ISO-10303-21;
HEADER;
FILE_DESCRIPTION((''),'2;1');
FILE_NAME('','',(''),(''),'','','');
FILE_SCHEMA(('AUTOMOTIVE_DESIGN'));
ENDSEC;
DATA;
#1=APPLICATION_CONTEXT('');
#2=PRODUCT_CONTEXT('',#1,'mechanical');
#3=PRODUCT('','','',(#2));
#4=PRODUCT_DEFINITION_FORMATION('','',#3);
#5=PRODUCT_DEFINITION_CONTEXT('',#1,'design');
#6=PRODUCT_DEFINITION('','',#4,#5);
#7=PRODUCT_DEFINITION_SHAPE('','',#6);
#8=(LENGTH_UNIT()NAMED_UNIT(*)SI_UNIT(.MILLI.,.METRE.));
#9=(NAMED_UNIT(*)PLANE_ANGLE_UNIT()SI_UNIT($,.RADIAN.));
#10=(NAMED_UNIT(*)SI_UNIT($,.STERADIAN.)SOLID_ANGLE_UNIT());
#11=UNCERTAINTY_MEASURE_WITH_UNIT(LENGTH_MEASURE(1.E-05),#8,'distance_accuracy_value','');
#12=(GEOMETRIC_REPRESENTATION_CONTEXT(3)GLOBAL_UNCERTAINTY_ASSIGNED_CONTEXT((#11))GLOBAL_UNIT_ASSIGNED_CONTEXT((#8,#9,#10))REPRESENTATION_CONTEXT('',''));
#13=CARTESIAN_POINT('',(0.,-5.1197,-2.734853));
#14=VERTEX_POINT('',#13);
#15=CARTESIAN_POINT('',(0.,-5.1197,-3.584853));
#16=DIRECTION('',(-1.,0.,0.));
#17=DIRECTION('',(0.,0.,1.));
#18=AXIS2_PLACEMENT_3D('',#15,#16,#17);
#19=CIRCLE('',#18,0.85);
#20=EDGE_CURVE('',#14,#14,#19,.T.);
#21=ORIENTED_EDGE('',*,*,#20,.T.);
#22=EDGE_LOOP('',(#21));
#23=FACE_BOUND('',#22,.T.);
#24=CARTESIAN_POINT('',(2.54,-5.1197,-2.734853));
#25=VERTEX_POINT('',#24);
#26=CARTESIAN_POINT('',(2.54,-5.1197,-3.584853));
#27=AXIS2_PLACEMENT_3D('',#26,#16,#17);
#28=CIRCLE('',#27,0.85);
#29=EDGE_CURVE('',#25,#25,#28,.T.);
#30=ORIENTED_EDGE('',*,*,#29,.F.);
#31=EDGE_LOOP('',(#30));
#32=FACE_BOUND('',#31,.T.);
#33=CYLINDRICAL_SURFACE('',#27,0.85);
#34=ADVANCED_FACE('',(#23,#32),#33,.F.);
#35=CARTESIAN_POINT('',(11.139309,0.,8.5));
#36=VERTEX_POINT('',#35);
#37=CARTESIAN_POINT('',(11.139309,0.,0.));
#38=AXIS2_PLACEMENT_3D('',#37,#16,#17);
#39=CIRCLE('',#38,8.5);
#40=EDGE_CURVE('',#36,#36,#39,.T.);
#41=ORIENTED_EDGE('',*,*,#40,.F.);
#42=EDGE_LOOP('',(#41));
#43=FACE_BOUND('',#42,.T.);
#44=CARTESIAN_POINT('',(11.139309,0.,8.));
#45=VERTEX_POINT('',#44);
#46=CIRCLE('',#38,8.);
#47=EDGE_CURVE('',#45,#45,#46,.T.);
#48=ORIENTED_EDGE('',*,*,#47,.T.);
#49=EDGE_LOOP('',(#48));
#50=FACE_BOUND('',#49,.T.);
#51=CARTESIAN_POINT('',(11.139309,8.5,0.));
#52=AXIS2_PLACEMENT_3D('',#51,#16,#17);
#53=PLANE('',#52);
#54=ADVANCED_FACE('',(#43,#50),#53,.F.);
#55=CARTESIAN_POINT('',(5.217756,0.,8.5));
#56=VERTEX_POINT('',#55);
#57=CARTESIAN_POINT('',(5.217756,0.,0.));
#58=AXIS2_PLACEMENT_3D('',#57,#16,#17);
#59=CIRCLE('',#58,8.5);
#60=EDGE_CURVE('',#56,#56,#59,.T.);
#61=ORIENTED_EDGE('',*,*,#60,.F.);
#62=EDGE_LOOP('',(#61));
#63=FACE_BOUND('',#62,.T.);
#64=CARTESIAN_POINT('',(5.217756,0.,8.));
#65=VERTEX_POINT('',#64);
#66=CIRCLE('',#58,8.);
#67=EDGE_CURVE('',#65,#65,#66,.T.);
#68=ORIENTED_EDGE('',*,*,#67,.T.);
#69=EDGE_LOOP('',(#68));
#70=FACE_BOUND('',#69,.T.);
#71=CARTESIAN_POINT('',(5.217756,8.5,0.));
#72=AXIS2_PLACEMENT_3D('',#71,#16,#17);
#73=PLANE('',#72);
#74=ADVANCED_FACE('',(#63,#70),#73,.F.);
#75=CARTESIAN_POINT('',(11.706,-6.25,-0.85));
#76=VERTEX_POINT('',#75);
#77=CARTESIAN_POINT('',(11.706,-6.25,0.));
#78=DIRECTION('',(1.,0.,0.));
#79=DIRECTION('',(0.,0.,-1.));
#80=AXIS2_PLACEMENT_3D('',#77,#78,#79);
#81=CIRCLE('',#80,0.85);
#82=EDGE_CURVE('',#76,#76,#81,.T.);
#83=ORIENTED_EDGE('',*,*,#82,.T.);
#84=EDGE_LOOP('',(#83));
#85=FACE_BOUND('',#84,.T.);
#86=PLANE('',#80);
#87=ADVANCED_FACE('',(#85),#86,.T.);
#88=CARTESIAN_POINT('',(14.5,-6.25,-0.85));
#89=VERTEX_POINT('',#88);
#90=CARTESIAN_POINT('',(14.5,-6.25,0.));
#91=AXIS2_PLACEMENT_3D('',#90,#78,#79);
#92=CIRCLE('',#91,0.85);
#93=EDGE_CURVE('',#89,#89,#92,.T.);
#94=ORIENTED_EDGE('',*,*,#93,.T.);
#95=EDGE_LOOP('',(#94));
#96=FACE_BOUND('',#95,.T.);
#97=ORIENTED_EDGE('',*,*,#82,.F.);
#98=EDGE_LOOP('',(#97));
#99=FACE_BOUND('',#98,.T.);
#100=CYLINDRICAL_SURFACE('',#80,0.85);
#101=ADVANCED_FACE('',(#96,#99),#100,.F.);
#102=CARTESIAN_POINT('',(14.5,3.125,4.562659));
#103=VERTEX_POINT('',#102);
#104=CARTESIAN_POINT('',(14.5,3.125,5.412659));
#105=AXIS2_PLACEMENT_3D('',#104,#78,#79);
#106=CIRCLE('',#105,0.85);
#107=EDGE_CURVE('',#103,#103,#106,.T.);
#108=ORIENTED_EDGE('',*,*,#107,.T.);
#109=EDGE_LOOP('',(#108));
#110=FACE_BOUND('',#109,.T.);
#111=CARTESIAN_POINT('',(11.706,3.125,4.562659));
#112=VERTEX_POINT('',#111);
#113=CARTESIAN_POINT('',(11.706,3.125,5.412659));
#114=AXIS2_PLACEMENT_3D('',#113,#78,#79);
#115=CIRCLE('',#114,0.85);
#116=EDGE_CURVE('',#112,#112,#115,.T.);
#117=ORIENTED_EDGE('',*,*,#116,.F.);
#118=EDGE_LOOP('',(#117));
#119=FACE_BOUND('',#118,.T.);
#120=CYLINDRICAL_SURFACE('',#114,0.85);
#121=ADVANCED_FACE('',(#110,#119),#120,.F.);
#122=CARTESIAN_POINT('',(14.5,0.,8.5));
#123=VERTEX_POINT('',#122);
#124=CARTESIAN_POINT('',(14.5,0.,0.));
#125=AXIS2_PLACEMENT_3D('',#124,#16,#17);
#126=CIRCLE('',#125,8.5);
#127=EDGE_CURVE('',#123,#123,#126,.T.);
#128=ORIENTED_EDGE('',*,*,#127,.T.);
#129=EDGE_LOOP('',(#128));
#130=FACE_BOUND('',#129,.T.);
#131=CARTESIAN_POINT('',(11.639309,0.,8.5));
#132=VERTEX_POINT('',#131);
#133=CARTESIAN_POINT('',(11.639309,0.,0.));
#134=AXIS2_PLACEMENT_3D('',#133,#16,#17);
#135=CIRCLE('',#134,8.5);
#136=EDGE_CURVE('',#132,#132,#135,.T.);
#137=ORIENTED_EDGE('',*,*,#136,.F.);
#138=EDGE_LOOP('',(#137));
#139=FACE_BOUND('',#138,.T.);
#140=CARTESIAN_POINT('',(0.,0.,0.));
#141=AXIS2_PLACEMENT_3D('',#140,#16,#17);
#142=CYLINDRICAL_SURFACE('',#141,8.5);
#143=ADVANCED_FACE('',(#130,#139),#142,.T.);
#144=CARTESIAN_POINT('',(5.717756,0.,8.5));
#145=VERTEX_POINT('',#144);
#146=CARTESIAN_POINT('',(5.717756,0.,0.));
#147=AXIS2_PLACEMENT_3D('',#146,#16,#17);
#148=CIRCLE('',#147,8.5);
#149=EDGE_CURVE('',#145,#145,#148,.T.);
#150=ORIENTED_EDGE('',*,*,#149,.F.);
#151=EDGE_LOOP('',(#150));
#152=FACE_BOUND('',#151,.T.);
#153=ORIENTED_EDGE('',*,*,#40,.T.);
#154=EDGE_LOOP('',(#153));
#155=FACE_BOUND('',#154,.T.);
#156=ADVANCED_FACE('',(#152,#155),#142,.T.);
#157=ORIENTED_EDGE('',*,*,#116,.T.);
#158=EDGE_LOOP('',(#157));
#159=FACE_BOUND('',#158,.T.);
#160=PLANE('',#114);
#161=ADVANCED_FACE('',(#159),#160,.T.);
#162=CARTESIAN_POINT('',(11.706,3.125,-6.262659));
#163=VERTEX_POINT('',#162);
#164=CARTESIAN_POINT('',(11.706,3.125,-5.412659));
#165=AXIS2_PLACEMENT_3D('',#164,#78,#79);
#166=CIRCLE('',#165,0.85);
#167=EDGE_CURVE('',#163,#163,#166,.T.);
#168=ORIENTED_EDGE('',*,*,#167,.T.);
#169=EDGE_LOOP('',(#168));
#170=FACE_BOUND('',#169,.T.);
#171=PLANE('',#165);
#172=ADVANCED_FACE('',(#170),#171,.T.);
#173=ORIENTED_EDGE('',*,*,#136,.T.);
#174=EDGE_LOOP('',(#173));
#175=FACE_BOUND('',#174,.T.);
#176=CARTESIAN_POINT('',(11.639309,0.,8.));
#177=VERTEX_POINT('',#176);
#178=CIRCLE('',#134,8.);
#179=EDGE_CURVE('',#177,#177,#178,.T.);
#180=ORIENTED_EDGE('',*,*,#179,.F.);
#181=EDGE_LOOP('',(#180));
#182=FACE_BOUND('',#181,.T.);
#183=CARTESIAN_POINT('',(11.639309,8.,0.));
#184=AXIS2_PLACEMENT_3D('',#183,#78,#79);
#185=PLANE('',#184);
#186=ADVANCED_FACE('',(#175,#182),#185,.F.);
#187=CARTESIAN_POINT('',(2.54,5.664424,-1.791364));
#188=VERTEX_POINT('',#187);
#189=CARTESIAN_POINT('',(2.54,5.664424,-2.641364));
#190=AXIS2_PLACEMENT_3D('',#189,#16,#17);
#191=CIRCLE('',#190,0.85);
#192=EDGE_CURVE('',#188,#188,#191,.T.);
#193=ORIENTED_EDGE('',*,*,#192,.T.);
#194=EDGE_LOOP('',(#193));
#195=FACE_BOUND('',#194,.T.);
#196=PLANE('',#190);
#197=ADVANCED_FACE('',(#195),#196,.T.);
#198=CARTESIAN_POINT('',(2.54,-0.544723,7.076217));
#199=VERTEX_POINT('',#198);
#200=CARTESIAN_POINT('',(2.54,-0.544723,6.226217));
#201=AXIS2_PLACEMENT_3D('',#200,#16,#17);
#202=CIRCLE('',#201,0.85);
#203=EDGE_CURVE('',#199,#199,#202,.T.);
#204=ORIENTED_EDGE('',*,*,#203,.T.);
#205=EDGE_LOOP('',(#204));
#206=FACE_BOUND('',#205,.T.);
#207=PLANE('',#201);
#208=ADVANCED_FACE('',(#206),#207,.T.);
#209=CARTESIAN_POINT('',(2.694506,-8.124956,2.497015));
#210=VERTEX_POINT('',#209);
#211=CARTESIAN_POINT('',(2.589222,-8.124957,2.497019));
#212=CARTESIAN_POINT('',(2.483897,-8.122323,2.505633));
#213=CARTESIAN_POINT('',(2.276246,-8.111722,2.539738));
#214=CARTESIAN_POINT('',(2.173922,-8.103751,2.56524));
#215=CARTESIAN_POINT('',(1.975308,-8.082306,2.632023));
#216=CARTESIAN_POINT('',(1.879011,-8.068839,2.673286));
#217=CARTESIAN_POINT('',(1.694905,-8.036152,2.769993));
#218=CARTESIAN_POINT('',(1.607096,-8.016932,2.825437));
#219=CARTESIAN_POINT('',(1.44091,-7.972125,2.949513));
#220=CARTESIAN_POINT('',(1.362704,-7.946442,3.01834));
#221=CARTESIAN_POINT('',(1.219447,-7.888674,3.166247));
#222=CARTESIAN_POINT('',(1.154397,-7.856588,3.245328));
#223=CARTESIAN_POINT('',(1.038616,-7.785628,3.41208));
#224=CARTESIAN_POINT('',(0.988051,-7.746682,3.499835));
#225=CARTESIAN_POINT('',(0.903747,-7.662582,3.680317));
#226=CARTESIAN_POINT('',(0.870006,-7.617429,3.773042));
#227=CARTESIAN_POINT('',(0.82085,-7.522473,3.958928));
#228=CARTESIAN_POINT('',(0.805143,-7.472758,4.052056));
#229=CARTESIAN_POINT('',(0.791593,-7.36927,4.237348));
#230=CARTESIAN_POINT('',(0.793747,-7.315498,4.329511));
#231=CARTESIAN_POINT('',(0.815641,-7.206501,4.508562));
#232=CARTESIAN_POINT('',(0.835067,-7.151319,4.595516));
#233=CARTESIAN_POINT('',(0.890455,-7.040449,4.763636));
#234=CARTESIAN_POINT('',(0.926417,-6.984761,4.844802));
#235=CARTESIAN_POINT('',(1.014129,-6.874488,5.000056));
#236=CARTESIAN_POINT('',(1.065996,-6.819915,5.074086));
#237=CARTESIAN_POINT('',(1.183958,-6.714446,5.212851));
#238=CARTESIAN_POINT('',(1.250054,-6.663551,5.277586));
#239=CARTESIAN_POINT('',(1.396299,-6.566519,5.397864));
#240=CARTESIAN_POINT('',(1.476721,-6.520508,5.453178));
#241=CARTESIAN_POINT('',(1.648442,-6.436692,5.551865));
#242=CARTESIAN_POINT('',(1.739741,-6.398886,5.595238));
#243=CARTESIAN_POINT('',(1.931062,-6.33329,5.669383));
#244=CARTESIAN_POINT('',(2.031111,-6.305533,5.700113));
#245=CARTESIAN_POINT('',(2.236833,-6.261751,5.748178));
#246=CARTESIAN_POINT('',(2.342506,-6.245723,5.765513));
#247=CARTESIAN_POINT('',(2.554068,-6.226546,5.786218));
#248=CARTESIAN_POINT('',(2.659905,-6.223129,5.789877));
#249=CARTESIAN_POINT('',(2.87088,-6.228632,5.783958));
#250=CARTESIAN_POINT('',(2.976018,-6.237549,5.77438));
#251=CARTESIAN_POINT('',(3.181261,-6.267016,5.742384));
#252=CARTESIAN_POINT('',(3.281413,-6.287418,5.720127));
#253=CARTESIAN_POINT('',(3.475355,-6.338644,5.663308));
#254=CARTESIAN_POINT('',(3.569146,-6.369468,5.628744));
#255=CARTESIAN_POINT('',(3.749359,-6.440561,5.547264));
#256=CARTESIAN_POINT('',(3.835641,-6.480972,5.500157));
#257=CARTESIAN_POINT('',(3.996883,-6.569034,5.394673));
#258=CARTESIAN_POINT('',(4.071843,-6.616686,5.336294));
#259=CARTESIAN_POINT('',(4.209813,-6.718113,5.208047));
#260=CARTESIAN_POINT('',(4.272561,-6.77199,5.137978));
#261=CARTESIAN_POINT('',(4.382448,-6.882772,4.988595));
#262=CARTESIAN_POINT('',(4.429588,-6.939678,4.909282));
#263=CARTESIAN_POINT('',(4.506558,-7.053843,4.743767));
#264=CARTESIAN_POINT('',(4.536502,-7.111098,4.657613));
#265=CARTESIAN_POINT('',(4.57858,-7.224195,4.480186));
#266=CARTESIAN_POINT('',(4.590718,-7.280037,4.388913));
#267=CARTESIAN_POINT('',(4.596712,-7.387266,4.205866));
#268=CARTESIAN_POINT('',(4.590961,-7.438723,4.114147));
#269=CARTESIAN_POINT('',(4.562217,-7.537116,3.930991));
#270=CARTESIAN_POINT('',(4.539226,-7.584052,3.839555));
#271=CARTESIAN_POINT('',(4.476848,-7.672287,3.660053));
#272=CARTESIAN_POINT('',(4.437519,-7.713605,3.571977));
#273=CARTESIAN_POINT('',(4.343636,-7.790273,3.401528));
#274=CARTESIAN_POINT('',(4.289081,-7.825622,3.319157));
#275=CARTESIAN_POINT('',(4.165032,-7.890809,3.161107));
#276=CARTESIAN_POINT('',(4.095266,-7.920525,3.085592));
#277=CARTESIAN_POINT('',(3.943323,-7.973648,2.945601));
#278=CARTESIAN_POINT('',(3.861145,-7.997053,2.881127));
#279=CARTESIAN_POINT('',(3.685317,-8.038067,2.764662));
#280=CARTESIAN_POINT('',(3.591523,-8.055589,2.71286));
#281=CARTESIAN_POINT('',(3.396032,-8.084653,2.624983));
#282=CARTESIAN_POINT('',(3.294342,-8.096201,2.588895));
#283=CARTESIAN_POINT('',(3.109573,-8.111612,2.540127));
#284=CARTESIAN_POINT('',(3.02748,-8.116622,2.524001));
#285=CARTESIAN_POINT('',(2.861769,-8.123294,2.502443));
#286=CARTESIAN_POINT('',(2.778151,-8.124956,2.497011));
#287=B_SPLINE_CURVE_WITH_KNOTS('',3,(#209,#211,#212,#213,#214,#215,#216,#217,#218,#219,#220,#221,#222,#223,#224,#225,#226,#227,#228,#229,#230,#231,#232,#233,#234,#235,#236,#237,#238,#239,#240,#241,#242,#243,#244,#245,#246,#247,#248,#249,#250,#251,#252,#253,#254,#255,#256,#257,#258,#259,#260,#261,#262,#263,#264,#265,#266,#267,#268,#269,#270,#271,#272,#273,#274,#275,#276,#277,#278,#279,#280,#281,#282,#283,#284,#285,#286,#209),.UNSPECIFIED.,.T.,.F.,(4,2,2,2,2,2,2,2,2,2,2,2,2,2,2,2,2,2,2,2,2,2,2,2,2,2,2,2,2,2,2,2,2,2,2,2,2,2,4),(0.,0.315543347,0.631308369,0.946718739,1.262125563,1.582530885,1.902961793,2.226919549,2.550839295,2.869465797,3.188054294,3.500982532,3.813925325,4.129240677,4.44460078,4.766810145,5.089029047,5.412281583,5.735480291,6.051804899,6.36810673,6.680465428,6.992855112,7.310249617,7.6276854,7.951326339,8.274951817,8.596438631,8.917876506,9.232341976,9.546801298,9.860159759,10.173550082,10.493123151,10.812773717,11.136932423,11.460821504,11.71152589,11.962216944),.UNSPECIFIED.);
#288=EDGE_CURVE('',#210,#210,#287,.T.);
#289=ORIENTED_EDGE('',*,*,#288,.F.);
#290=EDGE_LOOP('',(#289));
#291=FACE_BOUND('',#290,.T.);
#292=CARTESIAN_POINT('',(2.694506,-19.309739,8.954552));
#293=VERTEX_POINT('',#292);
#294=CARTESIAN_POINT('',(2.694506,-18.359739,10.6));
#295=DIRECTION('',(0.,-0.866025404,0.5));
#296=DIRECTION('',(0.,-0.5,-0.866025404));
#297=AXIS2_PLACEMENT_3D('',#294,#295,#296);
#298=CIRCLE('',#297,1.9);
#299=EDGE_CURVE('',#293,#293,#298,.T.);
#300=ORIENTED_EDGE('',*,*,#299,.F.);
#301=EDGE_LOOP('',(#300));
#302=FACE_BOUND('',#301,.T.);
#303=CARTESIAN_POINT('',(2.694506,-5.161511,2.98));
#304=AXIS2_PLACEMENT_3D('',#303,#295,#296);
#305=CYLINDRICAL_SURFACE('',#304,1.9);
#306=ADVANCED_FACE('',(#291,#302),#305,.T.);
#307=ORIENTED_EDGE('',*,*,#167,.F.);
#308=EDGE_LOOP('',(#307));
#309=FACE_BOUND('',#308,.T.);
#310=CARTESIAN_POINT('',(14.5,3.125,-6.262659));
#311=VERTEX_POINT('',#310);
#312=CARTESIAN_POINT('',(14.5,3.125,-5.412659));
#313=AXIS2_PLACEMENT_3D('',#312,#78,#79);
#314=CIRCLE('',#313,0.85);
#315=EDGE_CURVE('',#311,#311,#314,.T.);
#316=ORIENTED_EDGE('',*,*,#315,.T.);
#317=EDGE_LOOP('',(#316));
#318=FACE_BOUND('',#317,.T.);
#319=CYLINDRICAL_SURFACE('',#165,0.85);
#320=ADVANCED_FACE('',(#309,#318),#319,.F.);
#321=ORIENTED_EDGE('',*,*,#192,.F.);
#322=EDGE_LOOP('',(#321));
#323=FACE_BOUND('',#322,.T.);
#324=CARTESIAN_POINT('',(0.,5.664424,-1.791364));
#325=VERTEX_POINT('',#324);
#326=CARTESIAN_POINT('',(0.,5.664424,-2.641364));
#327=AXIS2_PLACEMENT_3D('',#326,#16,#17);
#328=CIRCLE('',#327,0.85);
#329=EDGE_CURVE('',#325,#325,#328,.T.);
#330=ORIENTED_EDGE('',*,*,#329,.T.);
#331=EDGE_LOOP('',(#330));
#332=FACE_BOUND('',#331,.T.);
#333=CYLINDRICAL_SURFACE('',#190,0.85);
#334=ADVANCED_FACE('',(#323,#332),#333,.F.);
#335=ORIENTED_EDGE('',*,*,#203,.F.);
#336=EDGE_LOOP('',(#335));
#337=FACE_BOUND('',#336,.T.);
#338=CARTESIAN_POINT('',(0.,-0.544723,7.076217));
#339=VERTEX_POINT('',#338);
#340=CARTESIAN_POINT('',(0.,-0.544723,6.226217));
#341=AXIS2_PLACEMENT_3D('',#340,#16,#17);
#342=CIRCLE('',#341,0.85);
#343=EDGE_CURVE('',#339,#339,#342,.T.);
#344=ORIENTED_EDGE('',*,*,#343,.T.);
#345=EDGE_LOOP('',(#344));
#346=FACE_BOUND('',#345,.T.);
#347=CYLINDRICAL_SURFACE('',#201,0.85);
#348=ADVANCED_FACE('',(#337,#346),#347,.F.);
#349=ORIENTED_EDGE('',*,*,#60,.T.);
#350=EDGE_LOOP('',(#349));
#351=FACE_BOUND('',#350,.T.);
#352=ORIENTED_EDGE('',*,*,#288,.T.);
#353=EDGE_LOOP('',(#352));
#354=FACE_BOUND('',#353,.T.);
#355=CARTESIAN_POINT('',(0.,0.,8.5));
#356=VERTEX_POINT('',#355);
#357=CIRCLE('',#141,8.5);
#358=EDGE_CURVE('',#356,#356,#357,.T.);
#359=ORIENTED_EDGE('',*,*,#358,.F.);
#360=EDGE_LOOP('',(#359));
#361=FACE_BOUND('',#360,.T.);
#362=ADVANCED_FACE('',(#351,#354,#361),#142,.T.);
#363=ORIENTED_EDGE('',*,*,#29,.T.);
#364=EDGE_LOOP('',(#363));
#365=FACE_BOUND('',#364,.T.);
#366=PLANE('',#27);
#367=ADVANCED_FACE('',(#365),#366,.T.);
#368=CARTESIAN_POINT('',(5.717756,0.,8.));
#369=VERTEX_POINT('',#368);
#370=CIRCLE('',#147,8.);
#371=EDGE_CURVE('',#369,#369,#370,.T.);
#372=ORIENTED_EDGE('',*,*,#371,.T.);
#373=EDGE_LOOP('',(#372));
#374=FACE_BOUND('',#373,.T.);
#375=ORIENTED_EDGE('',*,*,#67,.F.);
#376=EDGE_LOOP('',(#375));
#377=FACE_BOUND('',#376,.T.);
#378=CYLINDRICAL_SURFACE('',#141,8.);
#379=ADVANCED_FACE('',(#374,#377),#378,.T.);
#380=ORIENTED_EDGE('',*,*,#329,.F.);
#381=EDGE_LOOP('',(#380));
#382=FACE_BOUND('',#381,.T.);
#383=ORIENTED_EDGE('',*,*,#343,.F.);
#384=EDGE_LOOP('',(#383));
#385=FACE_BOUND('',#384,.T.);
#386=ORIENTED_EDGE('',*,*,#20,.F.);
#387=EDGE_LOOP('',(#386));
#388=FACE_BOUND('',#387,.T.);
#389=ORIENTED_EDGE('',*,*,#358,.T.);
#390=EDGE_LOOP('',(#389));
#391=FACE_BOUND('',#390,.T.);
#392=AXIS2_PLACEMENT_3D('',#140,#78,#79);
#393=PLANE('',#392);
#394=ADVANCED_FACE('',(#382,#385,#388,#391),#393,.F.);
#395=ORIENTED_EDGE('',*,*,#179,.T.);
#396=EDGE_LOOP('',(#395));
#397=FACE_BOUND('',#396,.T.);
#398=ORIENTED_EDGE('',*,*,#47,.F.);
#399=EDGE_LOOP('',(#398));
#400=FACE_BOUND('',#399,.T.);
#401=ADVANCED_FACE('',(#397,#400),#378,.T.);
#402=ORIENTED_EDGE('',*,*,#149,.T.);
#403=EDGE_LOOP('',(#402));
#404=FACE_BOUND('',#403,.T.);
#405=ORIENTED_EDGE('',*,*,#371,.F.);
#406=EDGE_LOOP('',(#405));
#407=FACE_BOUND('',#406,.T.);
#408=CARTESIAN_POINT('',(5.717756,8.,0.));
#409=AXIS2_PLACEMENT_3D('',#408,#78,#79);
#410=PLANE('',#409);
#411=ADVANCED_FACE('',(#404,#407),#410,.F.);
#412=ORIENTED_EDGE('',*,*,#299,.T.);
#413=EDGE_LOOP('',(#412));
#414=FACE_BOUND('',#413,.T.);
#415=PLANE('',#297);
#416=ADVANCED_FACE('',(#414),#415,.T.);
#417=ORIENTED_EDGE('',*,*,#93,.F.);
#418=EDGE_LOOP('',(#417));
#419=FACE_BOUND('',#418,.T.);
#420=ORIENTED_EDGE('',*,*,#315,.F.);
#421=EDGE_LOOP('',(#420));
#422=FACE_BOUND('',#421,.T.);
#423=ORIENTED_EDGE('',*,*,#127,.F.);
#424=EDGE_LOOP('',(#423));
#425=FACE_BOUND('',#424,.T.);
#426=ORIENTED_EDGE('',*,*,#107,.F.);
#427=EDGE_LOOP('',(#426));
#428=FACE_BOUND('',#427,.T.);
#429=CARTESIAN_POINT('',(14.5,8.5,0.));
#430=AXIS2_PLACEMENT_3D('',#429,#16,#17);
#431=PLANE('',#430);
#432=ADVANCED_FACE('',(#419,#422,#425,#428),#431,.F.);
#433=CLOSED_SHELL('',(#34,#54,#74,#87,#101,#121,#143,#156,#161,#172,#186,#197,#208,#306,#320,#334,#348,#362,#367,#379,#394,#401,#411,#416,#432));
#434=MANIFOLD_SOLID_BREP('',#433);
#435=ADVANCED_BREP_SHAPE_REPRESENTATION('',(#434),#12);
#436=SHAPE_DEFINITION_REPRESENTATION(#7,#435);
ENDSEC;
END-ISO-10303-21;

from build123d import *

# Parameters (mm, degrees)
SKETCH2_R                = 0.85
CUT_EXTRUDE1_DEPTH       = 2.54
BOSS_EXTRUDE1_DEPTH      = 12.7
BOSS_EXTRUDE1_DEPTH_BACK = 2.54
SKETCH3_R                = 1.9
SKETCH4_R                = 0.85
CUT_EXTRUDE2_DEPTH       = 2.794


with BuildPart() as part:
    # Sketch1 → Revolve1 (revolve)
    with BuildSketch(Plane.XY, mode=Mode.PRIVATE) as revolve1_sk:
        Polygon((0, 0), (0, 8.5), (5.21775571, 8.5), (5.21775571, 8), (5.71775571, 8), (5.71775571, 8.5), (11.139308543, 8.5), (11.139308543, 8), (11.639308543, 8), (11.639308543, 8.5), (14.5, 8.5), (14.5, 0), align=None)
    revolve(revolve1_sk.sketch.rotate(Axis((0, 0, 0), (1, 0, 0)), 90), axis=Axis((0, 0, 0), (1, 0, 0)))

    # Sketch2 → Cut-Extrude1 (cut)
    with BuildSketch(Plane.ZY):
        with Locations((-2.641364136, 5.664423669)):
            Circle(SKETCH2_R)
        with Locations((6.226216863, -0.544723392)):
            Circle(SKETCH2_R)
        with Locations((-3.584852727, -5.119700277)):
            Circle(SKETCH2_R)
    extrude(amount=-CUT_EXTRUDE1_DEPTH, mode=Mode.SUBTRACT)

    # Sketch3 → Boss-Extrude1 (add, two sides: drawn at the far end of the back side and taken through both)
    with BuildSketch(Plane(origin=(0, -7.361215932, 4.25), x_dir=(1, 0, 0), z_dir=(0, -0.8660254037844398, 0.499999999999998)).offset(-BOSS_EXTRUDE1_DEPTH_BACK)):
        with Locations(Location((2.694505782, 0, 0), (0, 0, 270))):
            Circle(SKETCH3_R)
    extrude(amount=BOSS_EXTRUDE1_DEPTH + BOSS_EXTRUDE1_DEPTH_BACK)

    # Sketch4 → Cut-Extrude2 (cut)
    with BuildSketch(Plane(origin=(14.5, 0, 0), x_dir=(0, 0, -1), z_dir=(1, 0, 0))):
        with Locations((0, -6.25)):
            Circle(SKETCH4_R)
        with Locations((-5.412658774, 3.125)):
            Circle(SKETCH4_R)
        with Locations((5.412658774, 3.125)):
            Circle(SKETCH4_R)
    extrude(amount=-CUT_EXTRUDE2_DEPTH, mode=Mode.SUBTRACT)


solid = part.part
